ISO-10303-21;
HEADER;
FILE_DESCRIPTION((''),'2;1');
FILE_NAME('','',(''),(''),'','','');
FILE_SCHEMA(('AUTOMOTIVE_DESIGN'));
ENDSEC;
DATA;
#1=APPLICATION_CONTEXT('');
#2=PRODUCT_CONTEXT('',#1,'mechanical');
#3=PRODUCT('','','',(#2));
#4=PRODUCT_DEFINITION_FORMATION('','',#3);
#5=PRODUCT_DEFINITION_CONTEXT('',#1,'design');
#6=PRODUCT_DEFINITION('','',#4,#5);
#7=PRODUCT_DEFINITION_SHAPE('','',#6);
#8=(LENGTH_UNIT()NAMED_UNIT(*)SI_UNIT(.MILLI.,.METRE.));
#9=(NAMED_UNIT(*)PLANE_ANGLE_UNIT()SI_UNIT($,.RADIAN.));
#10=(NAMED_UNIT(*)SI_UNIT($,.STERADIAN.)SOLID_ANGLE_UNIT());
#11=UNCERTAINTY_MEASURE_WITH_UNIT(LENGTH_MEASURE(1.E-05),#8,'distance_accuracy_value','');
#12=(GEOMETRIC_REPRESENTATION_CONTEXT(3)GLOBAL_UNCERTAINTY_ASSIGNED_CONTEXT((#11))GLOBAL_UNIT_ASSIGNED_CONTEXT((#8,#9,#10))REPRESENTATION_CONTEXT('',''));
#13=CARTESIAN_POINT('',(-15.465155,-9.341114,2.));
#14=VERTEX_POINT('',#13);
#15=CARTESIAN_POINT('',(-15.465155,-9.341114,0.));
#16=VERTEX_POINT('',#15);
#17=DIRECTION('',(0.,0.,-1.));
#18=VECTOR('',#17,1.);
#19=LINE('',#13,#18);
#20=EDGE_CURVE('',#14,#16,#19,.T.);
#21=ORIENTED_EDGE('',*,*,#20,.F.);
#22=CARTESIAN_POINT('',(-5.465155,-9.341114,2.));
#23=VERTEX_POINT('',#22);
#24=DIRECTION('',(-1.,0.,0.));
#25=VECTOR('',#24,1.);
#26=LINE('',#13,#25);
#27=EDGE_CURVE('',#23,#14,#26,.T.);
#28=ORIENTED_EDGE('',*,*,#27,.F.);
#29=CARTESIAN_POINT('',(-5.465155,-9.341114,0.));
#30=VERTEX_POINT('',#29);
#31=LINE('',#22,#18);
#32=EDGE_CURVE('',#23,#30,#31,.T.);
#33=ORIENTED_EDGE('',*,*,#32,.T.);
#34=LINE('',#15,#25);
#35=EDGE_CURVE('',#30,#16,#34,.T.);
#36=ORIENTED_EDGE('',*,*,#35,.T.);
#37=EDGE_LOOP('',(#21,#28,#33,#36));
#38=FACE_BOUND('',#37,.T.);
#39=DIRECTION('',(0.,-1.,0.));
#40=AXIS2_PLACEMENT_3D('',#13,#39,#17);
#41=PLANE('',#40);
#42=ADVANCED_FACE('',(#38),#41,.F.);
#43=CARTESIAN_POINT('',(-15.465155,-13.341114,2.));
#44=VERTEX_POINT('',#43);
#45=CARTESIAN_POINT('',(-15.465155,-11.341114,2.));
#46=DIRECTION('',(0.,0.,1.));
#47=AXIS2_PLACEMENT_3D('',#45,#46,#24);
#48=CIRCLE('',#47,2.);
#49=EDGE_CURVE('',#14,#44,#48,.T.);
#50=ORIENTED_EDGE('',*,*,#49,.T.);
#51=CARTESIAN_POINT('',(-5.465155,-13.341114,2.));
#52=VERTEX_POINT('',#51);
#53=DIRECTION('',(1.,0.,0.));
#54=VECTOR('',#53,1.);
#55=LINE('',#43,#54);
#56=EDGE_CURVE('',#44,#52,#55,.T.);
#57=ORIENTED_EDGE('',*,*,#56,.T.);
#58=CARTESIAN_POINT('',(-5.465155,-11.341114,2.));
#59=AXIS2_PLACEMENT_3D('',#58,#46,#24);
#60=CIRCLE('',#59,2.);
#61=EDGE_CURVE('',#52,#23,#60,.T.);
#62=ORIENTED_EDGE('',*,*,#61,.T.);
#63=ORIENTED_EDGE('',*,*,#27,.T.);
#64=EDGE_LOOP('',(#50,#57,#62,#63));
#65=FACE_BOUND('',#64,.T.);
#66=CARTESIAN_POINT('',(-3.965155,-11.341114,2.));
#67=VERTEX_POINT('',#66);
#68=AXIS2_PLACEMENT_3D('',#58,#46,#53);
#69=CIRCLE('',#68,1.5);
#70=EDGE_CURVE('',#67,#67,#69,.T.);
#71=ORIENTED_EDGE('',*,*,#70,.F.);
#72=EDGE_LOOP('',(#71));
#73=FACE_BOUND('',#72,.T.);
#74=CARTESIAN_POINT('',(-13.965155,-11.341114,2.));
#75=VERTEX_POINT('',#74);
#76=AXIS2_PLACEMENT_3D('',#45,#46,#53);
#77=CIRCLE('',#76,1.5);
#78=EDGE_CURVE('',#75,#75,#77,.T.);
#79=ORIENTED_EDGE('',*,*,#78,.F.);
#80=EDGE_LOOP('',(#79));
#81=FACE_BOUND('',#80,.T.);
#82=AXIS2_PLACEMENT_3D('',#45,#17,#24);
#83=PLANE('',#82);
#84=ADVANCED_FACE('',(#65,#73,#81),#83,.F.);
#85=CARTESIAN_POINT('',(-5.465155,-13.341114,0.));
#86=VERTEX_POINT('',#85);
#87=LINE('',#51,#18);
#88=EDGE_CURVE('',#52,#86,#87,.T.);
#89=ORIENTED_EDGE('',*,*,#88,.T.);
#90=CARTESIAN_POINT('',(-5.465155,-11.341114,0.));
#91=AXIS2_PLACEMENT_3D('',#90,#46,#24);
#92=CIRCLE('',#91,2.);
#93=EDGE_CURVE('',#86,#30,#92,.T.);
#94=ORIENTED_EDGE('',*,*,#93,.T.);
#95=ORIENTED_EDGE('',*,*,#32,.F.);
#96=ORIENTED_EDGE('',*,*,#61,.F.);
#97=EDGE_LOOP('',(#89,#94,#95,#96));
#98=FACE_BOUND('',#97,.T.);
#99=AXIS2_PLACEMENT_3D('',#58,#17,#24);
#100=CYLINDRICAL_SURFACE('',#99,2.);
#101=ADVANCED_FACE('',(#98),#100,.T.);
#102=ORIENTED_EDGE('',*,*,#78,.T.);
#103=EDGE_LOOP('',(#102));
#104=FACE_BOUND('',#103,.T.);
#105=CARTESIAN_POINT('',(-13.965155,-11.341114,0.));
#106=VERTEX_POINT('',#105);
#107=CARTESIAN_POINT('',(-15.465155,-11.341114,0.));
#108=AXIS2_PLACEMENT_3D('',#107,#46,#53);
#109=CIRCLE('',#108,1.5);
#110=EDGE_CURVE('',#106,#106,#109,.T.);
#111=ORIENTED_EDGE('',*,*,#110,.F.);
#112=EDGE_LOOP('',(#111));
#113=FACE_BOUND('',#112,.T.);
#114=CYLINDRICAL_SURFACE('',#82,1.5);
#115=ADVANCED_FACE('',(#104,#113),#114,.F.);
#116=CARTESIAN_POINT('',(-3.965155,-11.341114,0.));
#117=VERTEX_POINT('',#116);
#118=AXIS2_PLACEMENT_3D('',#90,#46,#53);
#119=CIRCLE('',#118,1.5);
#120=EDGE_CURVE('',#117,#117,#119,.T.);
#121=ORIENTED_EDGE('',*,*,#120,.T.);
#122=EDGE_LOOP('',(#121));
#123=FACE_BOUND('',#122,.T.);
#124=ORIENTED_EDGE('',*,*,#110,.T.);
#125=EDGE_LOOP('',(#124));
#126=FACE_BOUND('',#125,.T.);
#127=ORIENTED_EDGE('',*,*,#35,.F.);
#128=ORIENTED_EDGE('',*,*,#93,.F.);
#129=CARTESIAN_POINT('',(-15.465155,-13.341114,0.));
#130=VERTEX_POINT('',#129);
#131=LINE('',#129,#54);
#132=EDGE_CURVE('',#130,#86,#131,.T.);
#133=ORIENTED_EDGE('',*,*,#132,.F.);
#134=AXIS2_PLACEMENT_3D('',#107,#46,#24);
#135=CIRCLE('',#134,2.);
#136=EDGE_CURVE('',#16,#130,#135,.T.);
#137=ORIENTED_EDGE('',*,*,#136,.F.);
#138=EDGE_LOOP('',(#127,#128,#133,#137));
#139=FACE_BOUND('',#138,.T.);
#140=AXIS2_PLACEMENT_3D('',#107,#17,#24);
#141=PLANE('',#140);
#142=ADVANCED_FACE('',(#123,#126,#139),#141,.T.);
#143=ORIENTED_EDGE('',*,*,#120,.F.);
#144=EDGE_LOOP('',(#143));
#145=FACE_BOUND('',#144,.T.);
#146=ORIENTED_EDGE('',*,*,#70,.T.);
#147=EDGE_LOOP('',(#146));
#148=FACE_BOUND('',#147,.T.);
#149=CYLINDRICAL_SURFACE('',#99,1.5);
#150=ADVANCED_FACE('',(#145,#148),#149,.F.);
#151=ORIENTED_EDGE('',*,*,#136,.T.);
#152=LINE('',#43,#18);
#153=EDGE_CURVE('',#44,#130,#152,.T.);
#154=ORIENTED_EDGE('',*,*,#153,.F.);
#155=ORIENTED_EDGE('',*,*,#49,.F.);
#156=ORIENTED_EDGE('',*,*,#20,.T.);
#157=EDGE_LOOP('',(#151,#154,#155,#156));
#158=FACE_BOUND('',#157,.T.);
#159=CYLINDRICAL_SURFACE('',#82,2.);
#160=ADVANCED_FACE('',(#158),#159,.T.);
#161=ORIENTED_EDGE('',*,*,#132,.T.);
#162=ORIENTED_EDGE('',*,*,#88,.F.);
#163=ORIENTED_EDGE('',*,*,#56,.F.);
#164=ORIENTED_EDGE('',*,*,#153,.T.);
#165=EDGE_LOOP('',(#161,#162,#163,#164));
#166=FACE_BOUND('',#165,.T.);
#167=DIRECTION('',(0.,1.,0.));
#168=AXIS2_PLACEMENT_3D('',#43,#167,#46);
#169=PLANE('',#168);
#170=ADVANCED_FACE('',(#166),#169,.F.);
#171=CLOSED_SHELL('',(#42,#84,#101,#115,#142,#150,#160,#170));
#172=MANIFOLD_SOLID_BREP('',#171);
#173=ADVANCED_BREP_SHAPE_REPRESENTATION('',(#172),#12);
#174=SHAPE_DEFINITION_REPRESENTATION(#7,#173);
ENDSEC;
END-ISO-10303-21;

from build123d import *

# Parameters (mm, degrees)
SKETCH1_R           = 1.5
BOSS_EXTRUDE1_DEPTH = 2


with BuildPart() as part:
    # Sketch1 → Boss-Extrude1 (new body)
    with BuildSketch(Plane.XY):
        with BuildLine():
            Line((-15.465155122, -13.341113756), (-5.465155122, -13.341113756))
            ThreePointArc((-5.465155122, -13.341113756), (-3.465155122, -11.341113756), (-5.465155122, -9.341113756))
            Line((-5.465155122, -9.341113756), (-15.465155122, -9.341113756))
            ThreePointArc((-15.465155122, -9.341113756), (-17.465155122, -11.341113756), (-15.465155122, -13.341113756))
        make_face()
        with Locations((-15.465155122, -11.341113756)):
            Circle(SKETCH1_R, mode=Mode.SUBTRACT)
        with Locations((-5.465155122, -11.341113756)):
            Circle(SKETCH1_R, mode=Mode.SUBTRACT)
    extrude(amount=BOSS_EXTRUDE1_DEPTH)


solid = part.part
